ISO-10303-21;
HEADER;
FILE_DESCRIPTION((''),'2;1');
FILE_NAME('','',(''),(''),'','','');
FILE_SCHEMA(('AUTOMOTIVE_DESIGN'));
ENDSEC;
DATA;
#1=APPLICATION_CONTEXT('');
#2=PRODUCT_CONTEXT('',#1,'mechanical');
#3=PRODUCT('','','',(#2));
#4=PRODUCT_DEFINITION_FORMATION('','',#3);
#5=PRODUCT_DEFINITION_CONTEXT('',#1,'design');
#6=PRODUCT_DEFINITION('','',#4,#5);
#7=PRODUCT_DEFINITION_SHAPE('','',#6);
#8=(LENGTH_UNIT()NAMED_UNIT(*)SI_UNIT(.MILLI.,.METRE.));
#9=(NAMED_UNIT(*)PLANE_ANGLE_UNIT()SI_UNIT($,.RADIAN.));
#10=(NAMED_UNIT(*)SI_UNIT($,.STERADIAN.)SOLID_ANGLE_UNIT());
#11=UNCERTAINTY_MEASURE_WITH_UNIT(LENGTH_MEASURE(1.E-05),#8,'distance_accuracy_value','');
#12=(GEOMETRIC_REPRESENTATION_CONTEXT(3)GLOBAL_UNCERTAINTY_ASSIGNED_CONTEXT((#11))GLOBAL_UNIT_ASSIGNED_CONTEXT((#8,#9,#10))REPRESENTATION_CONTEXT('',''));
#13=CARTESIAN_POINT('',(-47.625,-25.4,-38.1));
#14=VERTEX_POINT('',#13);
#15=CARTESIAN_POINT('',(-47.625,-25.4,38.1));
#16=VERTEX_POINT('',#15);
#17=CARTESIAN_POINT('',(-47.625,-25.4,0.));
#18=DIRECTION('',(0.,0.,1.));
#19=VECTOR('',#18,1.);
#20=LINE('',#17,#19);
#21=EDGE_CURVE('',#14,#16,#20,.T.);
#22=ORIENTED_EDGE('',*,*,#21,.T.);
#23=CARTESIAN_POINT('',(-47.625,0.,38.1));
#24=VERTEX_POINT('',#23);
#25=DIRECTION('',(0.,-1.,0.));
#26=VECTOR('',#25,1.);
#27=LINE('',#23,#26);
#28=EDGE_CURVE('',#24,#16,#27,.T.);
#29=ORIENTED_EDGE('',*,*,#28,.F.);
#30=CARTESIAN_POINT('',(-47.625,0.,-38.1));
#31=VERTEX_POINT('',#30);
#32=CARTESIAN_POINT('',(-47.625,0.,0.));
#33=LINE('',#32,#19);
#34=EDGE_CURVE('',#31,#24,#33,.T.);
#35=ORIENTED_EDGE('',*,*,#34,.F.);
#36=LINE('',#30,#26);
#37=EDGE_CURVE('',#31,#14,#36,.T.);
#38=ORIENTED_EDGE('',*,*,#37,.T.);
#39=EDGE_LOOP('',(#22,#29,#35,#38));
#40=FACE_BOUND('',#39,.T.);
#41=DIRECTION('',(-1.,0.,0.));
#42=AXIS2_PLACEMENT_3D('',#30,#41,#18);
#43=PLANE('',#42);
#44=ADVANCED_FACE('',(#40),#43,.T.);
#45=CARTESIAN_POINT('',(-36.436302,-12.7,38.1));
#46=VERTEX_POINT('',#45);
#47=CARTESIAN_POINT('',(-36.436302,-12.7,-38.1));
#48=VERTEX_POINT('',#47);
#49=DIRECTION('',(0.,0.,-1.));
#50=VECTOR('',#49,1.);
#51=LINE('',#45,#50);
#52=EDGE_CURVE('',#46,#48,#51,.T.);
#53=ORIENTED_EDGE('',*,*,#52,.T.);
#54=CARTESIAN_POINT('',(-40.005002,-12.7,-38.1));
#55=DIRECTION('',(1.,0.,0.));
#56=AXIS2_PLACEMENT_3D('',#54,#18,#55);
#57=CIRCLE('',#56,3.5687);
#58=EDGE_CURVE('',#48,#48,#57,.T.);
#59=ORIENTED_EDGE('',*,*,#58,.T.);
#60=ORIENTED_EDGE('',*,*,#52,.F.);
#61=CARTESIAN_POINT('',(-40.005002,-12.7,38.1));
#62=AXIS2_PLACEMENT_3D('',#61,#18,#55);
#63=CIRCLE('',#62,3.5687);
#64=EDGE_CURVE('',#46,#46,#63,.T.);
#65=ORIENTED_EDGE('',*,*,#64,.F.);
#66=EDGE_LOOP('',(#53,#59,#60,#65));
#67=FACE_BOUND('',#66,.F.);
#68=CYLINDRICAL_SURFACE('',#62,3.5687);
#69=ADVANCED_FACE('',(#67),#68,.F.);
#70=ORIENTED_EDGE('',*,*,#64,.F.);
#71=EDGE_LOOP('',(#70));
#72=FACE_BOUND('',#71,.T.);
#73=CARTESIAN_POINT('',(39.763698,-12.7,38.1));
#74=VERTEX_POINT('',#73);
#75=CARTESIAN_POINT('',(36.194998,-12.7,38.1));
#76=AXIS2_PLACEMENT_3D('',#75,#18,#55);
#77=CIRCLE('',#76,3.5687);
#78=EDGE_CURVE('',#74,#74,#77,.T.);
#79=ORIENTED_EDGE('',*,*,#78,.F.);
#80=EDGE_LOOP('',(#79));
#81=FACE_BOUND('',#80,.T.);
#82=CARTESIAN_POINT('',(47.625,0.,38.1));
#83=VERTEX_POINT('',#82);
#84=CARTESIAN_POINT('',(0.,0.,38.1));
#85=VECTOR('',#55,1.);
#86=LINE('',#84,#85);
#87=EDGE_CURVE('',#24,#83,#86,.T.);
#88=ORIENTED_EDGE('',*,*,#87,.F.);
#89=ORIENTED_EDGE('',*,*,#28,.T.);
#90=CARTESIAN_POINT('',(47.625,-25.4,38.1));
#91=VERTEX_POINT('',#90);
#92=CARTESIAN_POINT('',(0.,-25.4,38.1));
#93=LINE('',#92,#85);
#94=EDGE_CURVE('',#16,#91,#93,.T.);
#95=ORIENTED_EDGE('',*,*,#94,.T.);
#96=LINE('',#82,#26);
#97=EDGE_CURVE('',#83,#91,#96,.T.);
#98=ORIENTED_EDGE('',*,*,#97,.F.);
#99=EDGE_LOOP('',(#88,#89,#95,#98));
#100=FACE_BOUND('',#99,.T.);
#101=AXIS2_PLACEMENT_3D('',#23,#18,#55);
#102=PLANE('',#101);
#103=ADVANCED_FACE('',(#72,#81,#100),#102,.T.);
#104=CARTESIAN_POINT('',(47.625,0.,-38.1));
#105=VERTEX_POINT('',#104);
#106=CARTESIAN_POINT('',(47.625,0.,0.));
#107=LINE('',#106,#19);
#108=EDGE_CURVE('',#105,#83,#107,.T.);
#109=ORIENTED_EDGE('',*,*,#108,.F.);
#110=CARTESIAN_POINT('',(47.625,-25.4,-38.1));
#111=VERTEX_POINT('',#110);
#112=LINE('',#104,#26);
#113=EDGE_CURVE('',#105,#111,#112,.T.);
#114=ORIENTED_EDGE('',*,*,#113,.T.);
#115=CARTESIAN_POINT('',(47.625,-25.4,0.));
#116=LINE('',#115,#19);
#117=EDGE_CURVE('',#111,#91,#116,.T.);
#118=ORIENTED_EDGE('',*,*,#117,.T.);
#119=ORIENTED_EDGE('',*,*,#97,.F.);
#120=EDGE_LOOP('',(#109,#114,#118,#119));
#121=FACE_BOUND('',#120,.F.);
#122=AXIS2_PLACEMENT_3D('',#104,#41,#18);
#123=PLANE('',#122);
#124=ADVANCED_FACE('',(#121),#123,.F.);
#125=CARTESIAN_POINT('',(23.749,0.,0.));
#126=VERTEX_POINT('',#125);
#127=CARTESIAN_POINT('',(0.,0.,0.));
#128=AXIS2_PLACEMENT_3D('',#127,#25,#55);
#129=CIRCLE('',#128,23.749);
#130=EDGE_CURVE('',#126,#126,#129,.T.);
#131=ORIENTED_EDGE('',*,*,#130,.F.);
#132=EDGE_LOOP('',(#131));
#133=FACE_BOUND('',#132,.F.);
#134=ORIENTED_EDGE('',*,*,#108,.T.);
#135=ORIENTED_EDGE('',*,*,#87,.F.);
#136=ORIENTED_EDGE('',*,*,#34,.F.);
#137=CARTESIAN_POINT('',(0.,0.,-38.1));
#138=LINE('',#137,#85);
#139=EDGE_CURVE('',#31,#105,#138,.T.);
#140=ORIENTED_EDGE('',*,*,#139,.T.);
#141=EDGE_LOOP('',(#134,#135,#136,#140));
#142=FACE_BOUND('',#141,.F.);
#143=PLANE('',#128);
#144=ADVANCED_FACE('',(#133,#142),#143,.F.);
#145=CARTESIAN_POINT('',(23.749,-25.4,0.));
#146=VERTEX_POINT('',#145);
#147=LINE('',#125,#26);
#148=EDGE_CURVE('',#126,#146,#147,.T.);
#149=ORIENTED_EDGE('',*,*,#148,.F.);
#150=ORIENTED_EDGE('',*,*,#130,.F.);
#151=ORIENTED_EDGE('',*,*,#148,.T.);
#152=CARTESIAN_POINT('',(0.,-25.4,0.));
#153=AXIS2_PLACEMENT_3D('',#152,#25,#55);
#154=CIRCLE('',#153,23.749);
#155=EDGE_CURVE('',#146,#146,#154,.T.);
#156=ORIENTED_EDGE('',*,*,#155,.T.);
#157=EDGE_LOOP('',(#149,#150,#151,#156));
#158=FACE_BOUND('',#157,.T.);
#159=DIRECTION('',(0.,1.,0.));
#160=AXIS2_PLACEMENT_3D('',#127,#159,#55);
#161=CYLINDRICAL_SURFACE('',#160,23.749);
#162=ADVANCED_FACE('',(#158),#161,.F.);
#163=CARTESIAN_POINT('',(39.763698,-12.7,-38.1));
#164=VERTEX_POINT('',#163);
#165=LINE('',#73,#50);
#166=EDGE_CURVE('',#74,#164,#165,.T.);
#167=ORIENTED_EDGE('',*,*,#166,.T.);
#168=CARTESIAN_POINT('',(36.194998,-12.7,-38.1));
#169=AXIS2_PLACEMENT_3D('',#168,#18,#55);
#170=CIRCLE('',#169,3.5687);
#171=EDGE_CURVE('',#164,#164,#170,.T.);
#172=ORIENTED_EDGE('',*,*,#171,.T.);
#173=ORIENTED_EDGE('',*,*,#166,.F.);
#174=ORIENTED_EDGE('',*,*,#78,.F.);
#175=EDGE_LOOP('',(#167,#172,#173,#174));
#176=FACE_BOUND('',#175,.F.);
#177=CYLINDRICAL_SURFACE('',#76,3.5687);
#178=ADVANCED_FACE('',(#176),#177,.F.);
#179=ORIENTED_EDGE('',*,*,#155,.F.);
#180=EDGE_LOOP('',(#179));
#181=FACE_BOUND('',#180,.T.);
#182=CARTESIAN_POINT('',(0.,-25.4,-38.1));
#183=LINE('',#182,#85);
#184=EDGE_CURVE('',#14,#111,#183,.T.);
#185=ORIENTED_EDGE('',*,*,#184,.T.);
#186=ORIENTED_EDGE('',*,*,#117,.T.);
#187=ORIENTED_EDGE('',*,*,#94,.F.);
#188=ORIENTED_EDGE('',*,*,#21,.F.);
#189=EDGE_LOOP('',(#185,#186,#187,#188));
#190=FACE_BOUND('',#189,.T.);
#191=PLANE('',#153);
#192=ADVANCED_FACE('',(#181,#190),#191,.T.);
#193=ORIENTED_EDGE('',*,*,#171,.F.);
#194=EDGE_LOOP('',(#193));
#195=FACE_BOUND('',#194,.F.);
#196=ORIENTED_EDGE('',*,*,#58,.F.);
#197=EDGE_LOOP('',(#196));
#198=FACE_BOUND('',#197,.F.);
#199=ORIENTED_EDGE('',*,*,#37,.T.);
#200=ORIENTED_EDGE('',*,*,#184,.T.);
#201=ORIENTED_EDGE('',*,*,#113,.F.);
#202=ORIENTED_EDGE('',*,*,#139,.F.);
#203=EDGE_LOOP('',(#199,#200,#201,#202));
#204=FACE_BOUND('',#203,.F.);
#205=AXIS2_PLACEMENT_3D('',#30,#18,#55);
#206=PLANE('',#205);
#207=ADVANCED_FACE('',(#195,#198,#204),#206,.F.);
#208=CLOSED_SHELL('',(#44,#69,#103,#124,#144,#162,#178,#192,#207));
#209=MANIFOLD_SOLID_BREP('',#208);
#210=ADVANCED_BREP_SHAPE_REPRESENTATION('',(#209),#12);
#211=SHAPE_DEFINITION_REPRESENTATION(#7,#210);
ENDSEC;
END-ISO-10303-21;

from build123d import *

# Parameters (mm, degrees)
F0_W     = 95.25
F0_H     = 76.2
F0_R     = 23.749
F1_DEPTH = 25.4
F2_R     = 3.5687
F3_DEPTH = 76.201


with BuildPart() as f1:
    # F0 (on Front) → F1 (new body)
    with BuildSketch(Plane.XZ):
        Rectangle(F0_W, F0_H)
        Circle(F0_R, mode=Mode.SUBTRACT)
    extrude(amount=F1_DEPTH)

    # F2 (on face) → F3 (cut, through all)
    with BuildSketch(Plane.XY.offset(38.1)):
        with Locations((-40.005002, -12.7)):
            Circle(F2_R)
        with Locations((36.194998, -12.7)):
            Circle(F2_R)
    extrude(amount=-F3_DEPTH, mode=Mode.SUBTRACT)


solid = f1.part
